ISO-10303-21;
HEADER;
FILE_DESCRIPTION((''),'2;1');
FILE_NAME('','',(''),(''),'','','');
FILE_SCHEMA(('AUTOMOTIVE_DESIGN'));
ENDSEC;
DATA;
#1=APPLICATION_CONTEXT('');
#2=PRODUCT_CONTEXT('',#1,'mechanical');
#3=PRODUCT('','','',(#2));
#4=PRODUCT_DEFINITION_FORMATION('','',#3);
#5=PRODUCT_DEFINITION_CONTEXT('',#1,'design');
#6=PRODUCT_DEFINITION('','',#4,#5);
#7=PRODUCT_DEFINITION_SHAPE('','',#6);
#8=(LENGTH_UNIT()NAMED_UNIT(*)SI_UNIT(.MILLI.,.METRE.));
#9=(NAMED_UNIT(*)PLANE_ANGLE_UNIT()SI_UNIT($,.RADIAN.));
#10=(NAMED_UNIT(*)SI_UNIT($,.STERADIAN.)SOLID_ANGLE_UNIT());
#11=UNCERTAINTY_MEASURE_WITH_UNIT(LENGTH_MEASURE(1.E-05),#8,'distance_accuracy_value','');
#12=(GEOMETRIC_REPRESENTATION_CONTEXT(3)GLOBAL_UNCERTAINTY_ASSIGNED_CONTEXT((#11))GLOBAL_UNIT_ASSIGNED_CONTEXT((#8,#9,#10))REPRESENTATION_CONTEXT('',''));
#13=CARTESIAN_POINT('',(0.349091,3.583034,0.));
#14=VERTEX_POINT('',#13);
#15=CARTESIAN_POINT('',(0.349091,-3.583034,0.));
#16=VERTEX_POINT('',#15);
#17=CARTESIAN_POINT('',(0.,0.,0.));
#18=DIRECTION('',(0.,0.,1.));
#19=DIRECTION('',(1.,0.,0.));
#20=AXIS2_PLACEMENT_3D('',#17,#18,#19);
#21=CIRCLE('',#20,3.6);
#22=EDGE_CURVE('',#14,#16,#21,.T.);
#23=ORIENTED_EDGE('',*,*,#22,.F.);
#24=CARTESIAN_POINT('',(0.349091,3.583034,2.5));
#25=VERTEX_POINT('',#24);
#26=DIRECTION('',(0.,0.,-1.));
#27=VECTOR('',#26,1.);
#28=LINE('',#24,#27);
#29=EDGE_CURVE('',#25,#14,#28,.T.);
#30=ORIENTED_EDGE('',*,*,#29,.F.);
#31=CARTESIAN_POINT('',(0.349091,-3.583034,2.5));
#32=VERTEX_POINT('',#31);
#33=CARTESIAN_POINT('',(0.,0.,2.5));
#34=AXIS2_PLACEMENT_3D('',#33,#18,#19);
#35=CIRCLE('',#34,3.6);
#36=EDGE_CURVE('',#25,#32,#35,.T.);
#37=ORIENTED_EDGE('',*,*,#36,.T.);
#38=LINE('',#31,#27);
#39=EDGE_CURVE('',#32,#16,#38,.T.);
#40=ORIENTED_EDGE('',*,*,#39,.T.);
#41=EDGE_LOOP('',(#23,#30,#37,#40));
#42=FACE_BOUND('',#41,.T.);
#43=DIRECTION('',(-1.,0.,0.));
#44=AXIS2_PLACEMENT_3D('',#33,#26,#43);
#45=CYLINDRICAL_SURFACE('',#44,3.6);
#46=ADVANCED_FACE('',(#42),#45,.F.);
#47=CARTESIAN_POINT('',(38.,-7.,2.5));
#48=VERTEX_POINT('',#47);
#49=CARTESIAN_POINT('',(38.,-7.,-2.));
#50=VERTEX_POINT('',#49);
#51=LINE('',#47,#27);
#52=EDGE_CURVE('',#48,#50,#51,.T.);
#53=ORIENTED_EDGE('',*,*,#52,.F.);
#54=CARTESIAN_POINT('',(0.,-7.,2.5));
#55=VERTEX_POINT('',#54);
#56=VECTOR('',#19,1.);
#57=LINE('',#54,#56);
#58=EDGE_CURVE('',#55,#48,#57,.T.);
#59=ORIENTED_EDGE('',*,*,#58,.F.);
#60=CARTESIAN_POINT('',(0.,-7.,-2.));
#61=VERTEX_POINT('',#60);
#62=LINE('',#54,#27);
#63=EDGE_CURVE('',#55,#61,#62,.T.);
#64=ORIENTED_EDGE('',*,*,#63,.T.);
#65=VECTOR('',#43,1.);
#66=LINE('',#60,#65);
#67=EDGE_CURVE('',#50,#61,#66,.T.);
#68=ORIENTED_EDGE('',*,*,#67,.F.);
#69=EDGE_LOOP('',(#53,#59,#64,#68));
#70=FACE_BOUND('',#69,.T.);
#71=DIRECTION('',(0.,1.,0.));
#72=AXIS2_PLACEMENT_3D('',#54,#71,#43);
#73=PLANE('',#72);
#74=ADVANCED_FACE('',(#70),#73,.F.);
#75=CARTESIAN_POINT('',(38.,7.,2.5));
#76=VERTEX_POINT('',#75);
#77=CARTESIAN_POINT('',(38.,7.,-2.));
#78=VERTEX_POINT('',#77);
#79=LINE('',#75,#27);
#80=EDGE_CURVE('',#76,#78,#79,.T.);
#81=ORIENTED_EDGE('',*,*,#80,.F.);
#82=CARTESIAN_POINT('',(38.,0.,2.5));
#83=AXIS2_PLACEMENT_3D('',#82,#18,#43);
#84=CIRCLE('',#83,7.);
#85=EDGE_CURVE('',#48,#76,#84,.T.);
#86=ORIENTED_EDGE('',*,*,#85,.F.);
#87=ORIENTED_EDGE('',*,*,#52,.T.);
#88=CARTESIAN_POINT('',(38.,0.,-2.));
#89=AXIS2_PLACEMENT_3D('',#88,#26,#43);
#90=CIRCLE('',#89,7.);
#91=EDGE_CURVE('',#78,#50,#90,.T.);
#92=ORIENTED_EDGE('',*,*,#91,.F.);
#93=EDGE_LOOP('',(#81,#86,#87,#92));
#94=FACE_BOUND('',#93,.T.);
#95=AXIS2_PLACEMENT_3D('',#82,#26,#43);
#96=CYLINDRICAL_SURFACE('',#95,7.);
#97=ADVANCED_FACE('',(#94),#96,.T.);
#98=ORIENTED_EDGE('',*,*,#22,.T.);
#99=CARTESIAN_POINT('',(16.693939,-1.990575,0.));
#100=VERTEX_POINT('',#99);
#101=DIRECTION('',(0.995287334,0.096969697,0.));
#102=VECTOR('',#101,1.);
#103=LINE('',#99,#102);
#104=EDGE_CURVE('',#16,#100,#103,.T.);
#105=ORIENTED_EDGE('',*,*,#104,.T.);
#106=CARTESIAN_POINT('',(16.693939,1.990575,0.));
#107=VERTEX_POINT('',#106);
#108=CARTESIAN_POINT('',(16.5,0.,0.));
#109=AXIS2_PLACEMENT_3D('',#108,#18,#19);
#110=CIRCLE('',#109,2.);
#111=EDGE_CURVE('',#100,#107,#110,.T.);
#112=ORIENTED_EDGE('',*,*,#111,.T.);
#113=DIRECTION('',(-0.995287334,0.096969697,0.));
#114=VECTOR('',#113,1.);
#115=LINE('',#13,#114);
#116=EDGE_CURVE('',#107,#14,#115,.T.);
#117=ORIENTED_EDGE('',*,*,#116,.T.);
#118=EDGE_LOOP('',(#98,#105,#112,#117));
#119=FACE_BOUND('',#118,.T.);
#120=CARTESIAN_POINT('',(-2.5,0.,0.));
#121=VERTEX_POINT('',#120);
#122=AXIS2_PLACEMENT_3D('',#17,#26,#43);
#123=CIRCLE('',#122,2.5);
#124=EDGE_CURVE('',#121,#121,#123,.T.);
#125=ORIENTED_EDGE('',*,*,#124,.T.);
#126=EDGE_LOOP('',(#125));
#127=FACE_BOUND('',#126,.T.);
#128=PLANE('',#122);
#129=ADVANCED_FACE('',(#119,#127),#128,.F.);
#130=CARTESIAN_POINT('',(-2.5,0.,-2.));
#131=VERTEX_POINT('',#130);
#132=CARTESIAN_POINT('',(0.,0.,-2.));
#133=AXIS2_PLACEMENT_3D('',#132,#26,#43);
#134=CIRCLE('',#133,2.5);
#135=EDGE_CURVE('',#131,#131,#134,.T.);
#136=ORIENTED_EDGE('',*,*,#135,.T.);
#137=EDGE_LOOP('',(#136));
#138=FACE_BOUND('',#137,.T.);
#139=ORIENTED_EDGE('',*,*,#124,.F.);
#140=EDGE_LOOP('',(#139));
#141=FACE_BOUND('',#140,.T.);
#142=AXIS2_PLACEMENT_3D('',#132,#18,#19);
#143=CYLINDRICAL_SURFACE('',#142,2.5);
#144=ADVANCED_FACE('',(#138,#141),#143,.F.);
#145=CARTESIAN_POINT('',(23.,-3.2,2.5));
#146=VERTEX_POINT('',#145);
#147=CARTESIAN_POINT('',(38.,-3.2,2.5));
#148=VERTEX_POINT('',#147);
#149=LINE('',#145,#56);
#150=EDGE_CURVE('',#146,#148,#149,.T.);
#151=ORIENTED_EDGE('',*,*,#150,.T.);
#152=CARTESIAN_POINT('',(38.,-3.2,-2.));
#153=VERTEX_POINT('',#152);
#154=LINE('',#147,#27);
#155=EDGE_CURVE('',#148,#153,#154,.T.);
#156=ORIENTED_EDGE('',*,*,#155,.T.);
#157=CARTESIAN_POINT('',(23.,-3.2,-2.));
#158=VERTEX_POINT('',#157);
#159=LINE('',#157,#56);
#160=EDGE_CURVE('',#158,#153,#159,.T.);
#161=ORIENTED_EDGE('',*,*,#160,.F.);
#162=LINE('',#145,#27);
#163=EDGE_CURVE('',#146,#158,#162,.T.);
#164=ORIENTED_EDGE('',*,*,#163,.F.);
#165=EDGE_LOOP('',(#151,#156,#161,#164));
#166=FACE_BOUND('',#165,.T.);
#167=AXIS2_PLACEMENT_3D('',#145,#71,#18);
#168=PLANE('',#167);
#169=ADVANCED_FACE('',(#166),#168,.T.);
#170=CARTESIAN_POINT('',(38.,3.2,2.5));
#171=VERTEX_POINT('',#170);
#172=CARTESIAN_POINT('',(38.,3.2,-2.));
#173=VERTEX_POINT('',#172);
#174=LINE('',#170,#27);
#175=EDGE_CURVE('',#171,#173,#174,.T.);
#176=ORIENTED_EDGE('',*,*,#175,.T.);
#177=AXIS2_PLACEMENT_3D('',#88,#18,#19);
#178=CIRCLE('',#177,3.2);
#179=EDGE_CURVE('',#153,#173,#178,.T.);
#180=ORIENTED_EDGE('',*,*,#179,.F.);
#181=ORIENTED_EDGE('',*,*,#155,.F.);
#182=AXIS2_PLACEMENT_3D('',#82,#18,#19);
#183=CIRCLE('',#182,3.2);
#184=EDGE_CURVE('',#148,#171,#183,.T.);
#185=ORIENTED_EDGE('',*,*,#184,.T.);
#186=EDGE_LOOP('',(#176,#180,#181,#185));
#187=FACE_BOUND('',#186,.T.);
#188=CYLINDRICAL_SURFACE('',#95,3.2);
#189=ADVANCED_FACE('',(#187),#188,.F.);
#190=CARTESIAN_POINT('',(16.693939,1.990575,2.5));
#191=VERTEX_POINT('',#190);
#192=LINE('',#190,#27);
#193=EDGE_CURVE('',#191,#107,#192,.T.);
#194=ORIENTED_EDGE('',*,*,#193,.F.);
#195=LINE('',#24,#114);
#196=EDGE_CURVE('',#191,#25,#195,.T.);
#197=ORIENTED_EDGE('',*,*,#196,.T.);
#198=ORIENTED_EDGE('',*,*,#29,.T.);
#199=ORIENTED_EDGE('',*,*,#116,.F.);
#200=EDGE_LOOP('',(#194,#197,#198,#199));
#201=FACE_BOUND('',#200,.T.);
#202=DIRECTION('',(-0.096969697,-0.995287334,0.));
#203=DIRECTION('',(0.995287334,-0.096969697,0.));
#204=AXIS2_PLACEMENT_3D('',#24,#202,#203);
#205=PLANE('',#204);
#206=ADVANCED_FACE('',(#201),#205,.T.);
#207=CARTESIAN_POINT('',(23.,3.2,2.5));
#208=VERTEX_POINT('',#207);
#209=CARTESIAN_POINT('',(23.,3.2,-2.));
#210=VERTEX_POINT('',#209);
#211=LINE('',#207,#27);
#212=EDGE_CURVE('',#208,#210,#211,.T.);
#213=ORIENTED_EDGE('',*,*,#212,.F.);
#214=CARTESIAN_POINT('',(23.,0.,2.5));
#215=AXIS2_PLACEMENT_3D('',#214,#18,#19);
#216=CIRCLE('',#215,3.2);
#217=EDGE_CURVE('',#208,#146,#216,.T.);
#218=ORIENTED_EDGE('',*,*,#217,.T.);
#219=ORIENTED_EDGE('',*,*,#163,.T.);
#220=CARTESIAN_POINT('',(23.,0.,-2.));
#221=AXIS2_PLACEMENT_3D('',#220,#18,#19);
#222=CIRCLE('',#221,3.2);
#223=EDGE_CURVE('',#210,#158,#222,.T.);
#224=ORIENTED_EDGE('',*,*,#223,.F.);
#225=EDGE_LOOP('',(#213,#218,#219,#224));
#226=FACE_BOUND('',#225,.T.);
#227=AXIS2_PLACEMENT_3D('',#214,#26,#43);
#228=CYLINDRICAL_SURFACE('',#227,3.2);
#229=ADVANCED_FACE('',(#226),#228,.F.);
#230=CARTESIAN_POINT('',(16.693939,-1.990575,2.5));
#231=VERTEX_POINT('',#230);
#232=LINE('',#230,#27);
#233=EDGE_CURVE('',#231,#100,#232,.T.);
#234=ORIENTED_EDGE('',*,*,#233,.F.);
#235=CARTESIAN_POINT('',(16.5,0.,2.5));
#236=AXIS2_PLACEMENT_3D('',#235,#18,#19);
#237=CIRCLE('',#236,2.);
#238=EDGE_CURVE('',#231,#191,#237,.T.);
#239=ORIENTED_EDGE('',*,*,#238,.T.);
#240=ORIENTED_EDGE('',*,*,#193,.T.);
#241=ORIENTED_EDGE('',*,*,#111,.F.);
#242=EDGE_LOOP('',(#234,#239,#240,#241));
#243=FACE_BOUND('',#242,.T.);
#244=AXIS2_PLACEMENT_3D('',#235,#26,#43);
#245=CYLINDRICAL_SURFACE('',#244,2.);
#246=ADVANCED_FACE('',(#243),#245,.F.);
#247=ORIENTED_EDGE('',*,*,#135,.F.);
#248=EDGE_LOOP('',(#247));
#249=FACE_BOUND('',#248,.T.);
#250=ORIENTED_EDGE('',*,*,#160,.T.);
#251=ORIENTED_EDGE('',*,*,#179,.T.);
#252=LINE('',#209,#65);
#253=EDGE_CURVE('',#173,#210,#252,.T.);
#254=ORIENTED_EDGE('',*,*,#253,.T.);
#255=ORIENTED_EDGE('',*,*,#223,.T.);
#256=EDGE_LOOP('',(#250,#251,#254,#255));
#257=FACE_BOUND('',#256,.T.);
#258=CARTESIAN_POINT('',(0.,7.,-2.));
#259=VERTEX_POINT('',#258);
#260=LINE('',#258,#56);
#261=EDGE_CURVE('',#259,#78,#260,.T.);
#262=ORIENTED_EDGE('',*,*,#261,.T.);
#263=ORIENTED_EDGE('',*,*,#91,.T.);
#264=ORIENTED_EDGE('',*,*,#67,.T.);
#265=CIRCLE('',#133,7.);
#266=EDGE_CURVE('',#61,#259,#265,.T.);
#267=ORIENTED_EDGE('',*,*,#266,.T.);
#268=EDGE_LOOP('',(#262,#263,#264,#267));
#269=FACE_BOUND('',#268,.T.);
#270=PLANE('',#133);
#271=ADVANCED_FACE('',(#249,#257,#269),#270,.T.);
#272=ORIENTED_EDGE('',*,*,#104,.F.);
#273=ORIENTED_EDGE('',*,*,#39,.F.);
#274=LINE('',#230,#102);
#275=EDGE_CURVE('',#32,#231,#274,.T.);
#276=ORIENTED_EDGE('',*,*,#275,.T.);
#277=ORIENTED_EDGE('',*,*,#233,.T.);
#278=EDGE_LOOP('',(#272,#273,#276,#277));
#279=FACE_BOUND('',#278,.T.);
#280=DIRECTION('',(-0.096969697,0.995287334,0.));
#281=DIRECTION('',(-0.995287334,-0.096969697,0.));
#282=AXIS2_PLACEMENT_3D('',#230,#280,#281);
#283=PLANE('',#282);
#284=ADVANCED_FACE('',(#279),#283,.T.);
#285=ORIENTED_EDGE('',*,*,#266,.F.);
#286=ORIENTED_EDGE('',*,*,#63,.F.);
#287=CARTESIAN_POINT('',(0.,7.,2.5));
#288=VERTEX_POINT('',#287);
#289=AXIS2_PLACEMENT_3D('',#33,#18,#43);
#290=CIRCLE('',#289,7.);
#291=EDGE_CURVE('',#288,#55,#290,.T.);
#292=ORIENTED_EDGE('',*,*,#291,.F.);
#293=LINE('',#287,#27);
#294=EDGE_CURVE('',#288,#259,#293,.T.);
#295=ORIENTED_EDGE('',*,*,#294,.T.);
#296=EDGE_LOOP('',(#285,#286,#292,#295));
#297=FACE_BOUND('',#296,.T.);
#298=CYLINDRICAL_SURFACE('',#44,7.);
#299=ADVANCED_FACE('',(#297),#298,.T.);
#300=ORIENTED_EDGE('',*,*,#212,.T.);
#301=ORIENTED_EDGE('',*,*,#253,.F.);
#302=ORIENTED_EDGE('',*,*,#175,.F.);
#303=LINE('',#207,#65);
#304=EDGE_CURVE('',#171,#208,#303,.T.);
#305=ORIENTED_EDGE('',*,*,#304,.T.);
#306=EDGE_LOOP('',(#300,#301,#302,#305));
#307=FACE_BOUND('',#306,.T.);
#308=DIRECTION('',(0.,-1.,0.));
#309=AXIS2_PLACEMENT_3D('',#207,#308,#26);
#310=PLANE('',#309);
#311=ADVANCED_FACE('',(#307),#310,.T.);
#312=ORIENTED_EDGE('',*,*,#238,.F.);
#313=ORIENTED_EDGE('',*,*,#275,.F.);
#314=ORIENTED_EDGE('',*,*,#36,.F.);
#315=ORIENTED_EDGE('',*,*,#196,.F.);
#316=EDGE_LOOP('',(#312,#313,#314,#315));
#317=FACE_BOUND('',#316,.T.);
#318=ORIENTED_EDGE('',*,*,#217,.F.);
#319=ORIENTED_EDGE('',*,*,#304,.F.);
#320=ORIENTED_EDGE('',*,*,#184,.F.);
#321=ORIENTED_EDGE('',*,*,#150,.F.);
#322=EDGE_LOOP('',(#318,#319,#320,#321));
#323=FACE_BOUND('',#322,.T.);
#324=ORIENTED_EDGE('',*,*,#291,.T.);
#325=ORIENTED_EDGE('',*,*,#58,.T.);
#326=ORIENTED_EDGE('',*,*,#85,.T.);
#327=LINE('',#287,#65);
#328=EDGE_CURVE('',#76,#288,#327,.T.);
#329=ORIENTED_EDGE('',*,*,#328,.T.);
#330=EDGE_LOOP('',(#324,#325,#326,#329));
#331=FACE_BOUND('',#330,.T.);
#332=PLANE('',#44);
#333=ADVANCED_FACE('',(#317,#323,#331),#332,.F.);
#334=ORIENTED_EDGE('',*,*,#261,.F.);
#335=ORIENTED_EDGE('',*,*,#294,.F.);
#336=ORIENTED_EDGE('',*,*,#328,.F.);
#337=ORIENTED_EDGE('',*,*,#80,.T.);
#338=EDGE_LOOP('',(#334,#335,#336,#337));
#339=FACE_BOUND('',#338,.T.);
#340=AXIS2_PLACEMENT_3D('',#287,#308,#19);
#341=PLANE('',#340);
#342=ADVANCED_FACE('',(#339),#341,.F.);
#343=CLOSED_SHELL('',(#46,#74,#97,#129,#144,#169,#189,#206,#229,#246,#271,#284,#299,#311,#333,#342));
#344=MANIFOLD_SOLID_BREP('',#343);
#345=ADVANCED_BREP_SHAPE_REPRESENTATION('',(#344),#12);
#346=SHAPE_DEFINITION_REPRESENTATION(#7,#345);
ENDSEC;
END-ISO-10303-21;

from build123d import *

# Parameters (mm, degrees)
MAIN_DEPTH            = 2.5
ESQUISSE2_R           = 2.5
ORIGINALBRACKET_DEPTH = 2
CUT_EXTRUDE1_DEPTH    = 3


with BuildPart() as part:
    # Esquisse1 → Main (new body)
    with BuildSketch(Plane.XY):
        with BuildLine():
            Line((0, 7), (38, 7))
            ThreePointArc((38, 7), (45, 0), (38, -7))
            Line((38, -7), (0, -7))
            ThreePointArc((0, -7), (-7, 0), (0, 7))
        make_face()
        with BuildLine():
            Line((0.349090909, 3.583034404), (16.693939394, 1.990574669))
            ThreePointArc((16.693939394, 1.990574669), (18.5, 0), (16.693939394, -1.990574669))
            Line((16.693939394, -1.990574669), (0.349090909, -3.583034404))
            ThreePointArc((0.349090909, -3.583034404), (-3.6, 0), (0.349090909, 3.583034404))
        make_face(mode=Mode.SUBTRACT)
        with BuildLine():
            Line((23, 3.2), (38, 3.2))
            ThreePointArc((38, 3.2), (41.2, 0), (38, -3.2))
            Line((38, -3.2), (23, -3.2))
            ThreePointArc((23, -3.2), (19.8, 0), (23, 3.2))
        make_face(mode=Mode.SUBTRACT)
    extrude(amount=MAIN_DEPTH)

    # Esquisse2 → OriginalBracket (add)
    with BuildSketch(Plane(origin=(0, 0, 0), x_dir=(-1, 0, 0), z_dir=(0, 0, -1))):
        with BuildLine():
            Line((0, -7), (-38, -7))
            ThreePointArc((-38, -7), (-45, 0), (-38, 7))
            Line((-38, 7), (0, 7))
            ThreePointArc((0, 7), (7, 0), (0, -7))
        make_face()
        Circle(ESQUISSE2_R, mode=Mode.SUBTRACT)
    extrude(amount=ORIGINALBRACKET_DEPTH)

    # Sketch1 → Cut-Extrude1 (cut, through all)
    with BuildSketch(Plane.XY):
        with BuildLine():
            Line((23, 3.2), (38, 3.2))
            ThreePointArc((38, 3.2), (41.2, 0), (38, -3.2))
            Line((38, -3.2), (23, -3.2))
            ThreePointArc((23, -3.2), (19.8, 0), (23, 3.2))
        make_face()
    extrude(amount=-CUT_EXTRUDE1_DEPTH, mode=Mode.SUBTRACT)


solid = part.part
